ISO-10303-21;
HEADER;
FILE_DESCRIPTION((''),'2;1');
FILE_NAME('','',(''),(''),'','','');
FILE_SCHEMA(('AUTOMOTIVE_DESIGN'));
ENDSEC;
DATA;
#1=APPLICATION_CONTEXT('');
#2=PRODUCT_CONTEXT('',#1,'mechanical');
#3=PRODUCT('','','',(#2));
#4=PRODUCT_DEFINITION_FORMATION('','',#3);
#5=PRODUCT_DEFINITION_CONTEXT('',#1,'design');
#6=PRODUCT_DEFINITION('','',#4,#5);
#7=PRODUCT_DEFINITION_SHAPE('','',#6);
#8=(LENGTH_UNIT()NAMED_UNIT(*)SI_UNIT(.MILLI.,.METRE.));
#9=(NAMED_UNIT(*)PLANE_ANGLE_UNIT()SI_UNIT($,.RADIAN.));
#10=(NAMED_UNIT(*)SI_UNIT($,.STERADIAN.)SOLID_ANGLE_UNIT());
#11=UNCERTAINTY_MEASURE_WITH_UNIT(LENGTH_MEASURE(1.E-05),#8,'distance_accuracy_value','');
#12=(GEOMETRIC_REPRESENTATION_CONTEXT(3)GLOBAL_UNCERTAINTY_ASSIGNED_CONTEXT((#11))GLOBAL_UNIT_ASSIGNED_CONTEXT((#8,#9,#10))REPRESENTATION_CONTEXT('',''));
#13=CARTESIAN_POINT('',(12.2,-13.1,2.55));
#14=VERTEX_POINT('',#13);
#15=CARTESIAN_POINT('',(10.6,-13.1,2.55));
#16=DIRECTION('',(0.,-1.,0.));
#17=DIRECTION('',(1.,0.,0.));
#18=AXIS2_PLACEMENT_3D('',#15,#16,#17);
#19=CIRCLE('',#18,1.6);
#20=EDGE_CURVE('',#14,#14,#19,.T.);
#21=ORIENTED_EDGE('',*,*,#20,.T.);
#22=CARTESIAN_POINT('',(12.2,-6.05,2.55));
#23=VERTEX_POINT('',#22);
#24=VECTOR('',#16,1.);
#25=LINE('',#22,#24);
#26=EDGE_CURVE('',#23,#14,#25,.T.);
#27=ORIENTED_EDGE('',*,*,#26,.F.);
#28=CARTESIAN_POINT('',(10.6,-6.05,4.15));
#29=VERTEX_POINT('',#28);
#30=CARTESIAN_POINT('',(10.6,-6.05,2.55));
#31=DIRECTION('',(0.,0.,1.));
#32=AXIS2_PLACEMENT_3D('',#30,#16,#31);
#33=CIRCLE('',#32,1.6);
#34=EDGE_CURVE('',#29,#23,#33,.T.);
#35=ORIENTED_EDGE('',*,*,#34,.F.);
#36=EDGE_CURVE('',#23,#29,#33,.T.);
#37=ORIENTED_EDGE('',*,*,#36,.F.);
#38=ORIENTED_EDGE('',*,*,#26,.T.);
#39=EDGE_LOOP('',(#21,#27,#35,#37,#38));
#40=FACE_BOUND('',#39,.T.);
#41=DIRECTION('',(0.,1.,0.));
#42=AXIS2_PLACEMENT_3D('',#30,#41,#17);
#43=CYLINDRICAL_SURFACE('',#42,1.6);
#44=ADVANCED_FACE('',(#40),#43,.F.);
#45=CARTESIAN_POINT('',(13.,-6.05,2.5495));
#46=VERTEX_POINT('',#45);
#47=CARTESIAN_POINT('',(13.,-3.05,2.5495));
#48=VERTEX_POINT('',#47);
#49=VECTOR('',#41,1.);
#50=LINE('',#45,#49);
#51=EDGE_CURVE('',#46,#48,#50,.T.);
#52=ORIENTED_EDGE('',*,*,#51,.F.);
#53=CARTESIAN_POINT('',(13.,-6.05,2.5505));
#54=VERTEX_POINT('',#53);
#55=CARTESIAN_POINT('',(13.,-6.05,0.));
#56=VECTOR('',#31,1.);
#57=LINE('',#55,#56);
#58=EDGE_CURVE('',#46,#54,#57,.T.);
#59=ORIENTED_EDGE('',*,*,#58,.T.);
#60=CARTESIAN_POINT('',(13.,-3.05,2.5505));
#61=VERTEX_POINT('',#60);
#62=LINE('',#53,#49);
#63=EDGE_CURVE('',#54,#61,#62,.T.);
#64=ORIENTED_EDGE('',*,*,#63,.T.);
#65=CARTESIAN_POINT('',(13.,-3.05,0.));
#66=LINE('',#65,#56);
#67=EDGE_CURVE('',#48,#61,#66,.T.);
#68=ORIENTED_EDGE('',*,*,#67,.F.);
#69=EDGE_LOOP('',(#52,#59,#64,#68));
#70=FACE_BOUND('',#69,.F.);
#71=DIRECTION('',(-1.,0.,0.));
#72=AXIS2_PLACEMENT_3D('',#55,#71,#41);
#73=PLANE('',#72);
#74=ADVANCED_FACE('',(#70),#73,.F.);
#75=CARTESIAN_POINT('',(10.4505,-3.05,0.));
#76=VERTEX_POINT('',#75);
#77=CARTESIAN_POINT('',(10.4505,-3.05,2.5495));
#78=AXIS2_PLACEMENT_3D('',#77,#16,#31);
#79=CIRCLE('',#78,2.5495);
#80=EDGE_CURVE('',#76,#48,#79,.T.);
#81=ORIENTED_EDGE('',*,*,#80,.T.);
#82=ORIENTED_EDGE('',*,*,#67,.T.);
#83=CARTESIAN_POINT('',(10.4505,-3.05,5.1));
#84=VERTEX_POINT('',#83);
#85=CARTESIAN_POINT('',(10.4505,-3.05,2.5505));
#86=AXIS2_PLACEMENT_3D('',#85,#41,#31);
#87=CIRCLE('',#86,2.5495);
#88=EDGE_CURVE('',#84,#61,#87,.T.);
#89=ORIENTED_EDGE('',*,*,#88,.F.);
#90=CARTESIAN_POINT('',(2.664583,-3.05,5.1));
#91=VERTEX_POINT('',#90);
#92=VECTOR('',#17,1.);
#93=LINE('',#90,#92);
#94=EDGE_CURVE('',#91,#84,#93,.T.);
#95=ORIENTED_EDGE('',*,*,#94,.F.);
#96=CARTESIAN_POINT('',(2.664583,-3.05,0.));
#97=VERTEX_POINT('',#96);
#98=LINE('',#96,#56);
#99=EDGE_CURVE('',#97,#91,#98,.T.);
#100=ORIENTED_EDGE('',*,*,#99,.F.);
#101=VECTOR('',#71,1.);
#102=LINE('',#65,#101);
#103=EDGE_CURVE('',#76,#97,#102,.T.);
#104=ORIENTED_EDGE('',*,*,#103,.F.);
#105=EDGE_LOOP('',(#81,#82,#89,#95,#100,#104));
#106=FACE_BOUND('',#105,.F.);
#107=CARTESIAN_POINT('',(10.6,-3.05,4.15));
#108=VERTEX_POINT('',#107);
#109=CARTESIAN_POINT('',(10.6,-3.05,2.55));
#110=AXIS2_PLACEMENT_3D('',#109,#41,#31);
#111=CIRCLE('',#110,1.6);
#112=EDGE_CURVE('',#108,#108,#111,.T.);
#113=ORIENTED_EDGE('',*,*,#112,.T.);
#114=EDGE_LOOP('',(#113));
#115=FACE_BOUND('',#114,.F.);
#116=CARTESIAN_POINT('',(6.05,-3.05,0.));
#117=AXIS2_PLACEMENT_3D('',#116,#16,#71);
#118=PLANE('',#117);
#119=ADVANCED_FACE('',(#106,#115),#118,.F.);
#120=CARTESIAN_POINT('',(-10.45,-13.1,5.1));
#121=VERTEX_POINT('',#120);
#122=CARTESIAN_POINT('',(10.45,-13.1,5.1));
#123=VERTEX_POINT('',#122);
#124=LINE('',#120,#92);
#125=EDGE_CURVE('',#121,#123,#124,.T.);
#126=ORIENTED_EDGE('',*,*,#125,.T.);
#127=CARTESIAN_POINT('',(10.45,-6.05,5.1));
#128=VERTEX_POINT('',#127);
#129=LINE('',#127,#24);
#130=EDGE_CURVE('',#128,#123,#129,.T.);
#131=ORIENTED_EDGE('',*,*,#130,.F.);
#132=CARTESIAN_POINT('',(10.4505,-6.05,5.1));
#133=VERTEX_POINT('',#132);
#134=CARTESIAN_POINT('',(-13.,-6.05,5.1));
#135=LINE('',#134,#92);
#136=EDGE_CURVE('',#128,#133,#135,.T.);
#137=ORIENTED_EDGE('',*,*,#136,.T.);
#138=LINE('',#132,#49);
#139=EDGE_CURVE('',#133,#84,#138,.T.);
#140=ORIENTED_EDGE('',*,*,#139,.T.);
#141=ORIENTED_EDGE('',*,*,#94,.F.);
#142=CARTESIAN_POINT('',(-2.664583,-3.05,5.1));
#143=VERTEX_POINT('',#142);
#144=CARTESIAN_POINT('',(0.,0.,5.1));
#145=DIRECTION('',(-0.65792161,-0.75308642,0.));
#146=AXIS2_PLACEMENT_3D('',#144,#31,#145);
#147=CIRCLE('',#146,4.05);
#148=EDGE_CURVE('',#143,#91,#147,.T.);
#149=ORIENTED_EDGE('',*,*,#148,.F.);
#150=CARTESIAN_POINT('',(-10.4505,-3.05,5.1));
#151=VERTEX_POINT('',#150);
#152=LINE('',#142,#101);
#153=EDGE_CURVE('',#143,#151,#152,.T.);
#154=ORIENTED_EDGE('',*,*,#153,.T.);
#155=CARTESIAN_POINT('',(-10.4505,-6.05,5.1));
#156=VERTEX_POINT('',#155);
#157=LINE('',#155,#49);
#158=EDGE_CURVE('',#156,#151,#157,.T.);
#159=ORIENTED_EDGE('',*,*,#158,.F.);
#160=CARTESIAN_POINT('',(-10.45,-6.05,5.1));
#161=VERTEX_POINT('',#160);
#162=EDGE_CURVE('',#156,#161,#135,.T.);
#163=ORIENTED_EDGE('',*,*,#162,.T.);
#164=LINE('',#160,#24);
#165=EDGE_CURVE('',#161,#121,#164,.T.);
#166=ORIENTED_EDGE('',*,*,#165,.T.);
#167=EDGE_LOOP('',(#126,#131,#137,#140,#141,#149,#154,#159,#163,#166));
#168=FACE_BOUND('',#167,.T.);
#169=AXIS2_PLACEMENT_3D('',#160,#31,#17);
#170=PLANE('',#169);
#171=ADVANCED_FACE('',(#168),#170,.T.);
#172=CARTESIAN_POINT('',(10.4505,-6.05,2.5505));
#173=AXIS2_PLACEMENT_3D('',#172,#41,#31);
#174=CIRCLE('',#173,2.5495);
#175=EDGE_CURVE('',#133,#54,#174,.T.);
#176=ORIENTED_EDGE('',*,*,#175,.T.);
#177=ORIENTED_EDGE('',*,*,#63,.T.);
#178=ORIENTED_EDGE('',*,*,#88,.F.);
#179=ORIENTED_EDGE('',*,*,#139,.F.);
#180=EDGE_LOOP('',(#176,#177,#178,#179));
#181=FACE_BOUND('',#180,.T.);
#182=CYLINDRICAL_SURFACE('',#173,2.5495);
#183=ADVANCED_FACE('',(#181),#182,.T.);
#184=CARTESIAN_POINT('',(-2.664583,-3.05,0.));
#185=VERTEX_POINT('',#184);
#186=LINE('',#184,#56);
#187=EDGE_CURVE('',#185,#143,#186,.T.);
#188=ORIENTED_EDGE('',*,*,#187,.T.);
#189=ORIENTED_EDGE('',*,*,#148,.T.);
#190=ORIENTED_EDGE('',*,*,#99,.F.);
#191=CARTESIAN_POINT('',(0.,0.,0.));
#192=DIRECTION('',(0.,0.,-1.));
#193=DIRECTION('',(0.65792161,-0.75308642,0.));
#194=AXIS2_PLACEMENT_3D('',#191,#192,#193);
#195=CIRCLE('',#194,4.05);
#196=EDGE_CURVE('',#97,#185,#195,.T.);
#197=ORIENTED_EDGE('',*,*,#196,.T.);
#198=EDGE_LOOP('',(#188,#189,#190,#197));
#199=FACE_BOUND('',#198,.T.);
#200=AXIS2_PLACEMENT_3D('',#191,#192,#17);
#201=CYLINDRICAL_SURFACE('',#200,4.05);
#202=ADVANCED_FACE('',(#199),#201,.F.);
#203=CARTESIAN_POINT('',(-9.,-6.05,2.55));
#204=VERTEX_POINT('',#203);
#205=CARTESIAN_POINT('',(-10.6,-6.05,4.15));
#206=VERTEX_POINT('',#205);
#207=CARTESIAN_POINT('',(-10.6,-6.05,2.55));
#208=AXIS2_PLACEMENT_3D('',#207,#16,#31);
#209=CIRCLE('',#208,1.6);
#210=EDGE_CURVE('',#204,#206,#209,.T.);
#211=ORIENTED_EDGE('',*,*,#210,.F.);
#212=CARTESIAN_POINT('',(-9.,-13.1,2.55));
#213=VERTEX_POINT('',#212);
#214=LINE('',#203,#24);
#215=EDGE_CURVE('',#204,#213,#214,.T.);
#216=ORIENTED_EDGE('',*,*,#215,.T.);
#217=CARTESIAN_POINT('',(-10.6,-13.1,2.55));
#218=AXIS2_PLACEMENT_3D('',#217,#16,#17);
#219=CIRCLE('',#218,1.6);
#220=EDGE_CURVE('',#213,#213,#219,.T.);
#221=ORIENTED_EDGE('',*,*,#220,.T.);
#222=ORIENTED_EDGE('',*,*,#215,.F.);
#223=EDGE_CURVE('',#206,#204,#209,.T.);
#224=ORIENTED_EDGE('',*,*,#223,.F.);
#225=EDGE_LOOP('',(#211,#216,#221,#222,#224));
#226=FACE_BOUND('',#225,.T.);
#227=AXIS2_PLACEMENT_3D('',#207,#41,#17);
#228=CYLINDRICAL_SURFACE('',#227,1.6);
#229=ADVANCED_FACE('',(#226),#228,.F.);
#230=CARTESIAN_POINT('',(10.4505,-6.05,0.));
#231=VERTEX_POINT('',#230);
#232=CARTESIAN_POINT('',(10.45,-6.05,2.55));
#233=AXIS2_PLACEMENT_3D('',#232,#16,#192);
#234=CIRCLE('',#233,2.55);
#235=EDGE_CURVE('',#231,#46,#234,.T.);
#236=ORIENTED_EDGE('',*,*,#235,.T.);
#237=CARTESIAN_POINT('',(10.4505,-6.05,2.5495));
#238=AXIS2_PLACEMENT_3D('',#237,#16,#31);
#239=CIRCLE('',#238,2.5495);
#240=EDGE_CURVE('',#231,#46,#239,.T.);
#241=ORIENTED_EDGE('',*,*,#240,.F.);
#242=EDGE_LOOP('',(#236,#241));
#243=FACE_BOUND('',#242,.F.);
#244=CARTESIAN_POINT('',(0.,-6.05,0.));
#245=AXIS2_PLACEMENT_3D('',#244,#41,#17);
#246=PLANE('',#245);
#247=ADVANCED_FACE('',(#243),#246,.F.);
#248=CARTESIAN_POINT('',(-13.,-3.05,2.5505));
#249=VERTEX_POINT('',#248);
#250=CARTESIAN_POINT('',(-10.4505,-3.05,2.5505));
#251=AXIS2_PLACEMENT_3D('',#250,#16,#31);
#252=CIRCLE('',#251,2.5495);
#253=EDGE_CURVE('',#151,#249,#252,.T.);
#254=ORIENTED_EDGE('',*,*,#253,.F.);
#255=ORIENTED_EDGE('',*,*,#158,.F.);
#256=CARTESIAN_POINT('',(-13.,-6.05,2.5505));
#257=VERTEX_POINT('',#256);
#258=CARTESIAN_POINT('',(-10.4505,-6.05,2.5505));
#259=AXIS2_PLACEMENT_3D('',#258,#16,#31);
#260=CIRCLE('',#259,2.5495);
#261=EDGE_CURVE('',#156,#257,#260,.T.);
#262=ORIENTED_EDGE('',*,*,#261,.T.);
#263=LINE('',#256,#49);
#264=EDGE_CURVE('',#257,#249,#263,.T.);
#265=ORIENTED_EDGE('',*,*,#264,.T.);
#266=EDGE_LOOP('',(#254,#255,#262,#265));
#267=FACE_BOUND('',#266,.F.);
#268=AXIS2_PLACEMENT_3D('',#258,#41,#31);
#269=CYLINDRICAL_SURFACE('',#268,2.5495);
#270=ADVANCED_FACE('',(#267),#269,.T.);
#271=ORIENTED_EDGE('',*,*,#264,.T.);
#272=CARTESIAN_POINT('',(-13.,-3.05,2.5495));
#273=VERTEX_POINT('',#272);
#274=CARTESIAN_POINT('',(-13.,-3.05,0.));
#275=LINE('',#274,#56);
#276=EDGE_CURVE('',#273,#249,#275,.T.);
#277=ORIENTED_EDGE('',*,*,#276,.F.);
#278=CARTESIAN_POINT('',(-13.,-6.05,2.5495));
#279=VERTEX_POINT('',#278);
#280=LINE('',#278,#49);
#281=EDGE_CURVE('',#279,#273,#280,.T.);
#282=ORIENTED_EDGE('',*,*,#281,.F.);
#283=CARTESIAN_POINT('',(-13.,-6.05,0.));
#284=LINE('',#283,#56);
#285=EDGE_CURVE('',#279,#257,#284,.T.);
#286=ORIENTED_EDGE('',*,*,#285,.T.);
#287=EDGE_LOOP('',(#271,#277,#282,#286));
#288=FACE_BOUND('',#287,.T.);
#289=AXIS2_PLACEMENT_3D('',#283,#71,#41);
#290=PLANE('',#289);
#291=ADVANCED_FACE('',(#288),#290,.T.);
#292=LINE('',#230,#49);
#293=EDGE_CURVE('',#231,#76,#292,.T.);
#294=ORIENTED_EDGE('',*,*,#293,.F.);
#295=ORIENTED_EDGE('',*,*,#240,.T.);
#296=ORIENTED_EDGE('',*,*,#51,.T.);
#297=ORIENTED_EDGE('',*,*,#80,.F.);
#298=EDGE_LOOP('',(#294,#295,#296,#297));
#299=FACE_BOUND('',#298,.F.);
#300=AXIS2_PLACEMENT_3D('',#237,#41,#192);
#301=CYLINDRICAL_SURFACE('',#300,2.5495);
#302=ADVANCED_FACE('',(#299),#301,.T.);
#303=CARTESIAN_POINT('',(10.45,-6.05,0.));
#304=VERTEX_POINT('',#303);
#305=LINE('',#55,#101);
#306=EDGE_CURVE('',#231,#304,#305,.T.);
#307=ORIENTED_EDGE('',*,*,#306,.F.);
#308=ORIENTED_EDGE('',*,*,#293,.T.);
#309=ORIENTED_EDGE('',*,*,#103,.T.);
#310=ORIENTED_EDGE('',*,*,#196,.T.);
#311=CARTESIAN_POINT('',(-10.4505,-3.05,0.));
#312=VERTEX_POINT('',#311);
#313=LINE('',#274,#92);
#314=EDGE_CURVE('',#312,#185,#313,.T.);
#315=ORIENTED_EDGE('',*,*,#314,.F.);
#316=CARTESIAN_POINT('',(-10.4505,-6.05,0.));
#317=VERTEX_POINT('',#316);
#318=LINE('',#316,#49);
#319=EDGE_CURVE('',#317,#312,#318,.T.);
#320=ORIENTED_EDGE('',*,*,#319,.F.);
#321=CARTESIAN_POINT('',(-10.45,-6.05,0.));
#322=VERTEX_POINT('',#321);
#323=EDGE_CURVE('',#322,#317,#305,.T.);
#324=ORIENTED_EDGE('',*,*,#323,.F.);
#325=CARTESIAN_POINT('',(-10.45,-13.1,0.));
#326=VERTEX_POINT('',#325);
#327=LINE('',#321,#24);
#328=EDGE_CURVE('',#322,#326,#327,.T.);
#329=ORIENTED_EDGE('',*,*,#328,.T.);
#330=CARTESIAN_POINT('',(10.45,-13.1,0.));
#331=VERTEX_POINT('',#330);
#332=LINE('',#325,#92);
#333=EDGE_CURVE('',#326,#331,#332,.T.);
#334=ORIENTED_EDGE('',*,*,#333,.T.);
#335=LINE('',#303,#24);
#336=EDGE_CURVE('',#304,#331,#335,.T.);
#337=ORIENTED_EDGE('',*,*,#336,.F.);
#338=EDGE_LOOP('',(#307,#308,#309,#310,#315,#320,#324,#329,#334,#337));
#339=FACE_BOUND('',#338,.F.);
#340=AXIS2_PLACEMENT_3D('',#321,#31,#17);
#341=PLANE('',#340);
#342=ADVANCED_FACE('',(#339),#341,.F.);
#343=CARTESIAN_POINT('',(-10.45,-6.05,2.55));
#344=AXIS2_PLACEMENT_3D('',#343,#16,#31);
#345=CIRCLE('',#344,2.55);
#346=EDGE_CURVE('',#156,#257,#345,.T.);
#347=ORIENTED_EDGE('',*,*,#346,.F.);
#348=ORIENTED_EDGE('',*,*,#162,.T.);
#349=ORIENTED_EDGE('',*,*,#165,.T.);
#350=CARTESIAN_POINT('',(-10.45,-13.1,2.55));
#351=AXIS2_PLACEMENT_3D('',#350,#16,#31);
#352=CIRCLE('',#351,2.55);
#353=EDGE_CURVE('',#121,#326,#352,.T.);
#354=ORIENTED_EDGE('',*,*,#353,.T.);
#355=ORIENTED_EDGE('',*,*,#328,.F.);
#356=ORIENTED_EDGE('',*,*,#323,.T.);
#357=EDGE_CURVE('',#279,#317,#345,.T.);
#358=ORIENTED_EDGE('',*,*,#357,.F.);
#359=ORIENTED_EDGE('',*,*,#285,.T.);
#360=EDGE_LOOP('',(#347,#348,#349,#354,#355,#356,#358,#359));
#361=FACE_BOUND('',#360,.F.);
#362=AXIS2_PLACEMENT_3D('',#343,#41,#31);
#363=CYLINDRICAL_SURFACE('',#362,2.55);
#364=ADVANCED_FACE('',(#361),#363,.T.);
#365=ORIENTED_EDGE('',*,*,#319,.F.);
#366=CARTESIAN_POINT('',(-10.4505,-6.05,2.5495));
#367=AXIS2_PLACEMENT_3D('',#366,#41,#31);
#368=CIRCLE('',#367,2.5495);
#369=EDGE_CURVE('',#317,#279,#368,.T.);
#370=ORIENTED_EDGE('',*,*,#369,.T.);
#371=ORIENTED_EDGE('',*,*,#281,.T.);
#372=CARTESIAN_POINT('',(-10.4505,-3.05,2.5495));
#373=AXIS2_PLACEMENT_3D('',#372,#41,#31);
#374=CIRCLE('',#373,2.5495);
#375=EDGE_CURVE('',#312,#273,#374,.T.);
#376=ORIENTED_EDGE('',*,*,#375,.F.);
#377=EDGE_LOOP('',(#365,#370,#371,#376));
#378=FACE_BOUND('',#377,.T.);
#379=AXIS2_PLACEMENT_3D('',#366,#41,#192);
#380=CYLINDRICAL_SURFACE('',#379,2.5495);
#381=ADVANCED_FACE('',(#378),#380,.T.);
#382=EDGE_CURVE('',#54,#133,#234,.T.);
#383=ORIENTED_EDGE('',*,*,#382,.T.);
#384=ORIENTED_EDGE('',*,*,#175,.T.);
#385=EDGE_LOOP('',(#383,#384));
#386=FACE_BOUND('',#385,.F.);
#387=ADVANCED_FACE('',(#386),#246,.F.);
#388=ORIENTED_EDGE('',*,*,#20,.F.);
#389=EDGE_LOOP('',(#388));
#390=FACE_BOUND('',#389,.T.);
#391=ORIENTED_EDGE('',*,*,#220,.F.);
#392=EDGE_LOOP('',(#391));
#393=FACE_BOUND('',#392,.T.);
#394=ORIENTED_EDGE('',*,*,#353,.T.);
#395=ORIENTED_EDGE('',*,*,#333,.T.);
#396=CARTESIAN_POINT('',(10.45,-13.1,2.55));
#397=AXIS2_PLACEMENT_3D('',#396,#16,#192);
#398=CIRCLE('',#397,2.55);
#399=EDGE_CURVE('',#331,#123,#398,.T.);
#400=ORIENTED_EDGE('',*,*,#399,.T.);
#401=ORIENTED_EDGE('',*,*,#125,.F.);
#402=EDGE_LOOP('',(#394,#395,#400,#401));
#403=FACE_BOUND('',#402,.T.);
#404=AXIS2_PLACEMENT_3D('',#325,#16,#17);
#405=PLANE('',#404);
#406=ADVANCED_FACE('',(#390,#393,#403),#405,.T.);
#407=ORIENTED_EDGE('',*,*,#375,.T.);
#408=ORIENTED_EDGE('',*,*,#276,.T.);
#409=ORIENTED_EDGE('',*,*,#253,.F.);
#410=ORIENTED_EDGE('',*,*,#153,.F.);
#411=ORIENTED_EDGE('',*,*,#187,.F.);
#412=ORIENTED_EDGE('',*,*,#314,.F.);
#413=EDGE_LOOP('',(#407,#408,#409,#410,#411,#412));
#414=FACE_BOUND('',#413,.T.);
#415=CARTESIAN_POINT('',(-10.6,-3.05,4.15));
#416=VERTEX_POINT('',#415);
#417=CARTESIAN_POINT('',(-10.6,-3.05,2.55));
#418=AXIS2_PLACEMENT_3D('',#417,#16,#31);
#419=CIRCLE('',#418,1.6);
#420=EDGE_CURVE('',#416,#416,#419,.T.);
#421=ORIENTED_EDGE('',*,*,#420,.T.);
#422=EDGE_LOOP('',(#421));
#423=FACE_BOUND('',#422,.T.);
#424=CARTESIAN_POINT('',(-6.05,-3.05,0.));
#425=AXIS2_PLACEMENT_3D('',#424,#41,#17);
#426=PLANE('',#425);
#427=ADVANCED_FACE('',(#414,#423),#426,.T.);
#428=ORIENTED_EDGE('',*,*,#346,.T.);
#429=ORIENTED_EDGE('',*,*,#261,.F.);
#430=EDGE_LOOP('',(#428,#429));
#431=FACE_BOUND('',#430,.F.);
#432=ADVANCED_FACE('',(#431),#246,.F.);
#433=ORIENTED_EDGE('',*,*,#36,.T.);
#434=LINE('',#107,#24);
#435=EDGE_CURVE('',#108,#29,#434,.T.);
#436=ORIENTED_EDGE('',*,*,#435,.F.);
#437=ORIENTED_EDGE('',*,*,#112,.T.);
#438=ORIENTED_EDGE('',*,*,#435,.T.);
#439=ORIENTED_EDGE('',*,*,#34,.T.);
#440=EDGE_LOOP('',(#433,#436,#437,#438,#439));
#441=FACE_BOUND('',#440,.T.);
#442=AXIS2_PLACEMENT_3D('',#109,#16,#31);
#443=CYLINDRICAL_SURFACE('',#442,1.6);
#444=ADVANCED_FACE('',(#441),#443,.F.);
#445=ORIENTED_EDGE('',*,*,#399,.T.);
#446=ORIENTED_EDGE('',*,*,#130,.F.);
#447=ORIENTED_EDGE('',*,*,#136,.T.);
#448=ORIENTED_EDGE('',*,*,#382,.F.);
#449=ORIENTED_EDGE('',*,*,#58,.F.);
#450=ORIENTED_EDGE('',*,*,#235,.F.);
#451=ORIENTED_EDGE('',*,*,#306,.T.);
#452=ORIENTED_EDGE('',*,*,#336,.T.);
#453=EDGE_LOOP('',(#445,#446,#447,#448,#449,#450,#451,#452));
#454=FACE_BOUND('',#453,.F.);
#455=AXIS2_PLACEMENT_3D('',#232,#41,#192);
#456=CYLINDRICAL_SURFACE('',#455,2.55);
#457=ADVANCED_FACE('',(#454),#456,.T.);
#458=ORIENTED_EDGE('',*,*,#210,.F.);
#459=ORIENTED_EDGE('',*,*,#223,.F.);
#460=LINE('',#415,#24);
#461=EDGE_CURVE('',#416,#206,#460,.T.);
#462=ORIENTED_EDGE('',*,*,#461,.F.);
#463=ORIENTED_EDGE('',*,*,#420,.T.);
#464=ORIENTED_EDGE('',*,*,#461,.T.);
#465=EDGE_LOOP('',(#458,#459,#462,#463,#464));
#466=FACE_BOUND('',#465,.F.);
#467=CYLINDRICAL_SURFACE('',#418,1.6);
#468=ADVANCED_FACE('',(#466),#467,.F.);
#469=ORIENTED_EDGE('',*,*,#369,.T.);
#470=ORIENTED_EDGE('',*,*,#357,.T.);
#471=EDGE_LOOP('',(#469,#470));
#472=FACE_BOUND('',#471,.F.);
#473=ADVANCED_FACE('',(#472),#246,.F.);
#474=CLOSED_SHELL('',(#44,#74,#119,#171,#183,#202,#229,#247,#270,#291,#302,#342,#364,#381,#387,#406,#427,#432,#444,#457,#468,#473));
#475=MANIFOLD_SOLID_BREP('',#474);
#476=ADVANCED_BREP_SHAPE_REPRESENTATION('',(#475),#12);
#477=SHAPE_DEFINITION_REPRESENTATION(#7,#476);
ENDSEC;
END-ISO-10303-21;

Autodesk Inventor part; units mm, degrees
ref_plane "YZ Plane" through (0, 0, 0) normal (1, 0, 0) x (0, 1, 0)
ref_plane "XZ Plane" through (0, 0, 0) normal (0, 1, 0) x (-1, 0, 0)
sketch "Эскиз1" plane through (0, 0, 0) normal (0, 0, 1) x (1, 0, 0)
  circle A0 centre (0, 0) radius 4.05
  line L0 (-6.05, -6.05) -> (6.05, -6.05)
  line L1 (6.05, -6.05) -> (6.05, 6.05)
  line L2 (6.05, 6.05) -> (-6.05, 6.05)
  line L3 (-6.05, 6.05) -> (-6.05, -6.05)
  line L4 (-6.05, -6.05) -> (6.05, 6.05) construction
  line L5 (6.05, -6.05) -> (-6.05, 6.05) construction
  line L6 (0, 6.05) -> (0, 4.05)
  line L7 (-6.05, 0) -> (-4.05, 0)
  line L8 (-13, -3.05) -> (0, -3.05)
  line L9 (0, -3.05) -> (0, -6.05)
  line L10 (0, -6.05) -> (-13, -6.05)
  line L11 (-13, -6.05) -> (-13, -3.05)
  line L12 (13, -3.05) -> (0, -3.05)
  line L13 (0, -6.05) -> (13, -6.05)
  line L14 (13, -6.05) -> (13, -3.05)
  point P0 (0, -4.55)
  point P1 (0, -6.05)
  point P2 (2.6646, -3.05)
  point P3 (-2.6646, -3.05)
  dimension "d0" = 8.1
  dimension "d1" = 2
  dimension "d2" = 2
  dimension "d3" = 3
  dimension "d5" = 3
  dimension "d6" = 6.95
extrude "Выдавливание1" add sketch "Эскиз1" along normal blind 5.1 contours L12 L1 L0 L9 A0 | L9 L0 L3 L8 A0 | L12 L14 L13 L1 | L3 L10 L11 L8
sketch "Эскиз2" plane through (-13, -3.05, 0) normal (0, 1, 0) x (1, 0, 0)
  line L0 (0, 0) -> (0, -5.1) projected
  line L1 (0, -2.55) -> (2.4, -2.55)
  point P0 (13, 0)
  dimension "d9" = 2.4
ref_plane "РабПлоскость1" through (0, -6.05, 0) normal (1, 0, 0) x (0, 0, -1)
hole "Отверстие1" at (-10.6, -3.05, 2.55) direction (0, -1, 0) diameter 3.2 end through all
mirror "Зеркальное отражение1" about plane through (0, -6.05, 0) normal (1, 0, 0) of "Отверстие1"
fillet "Сопряжение1" radius 2.55 4 edges at (-13, -4.55, 5.1) (-13, -4.55, 0) (13, -4.55, 5.1) (13, -4.55, 0)
sketch "Эскиз3" plane through (-10.45, -6.05, 0) normal (0, -1, 0) x (1, 0, 0)
  arc A0 (20.9, 0) -> (20.9, 5.1) centre (20.9, 2.55) ccw projected
  line L0 (0, 5.1) -> (20.9, 5.1) projected
  arc A1 (0, 5.1) -> (0, 0) centre (0, 2.55) ccw projected
  line L1 (0, 0) -> (20.9, 0) projected
  circle A2 centre (-0.15, 2.55) radius 1.6 projected
  circle A3 centre (21.05, 2.55) radius 1.6 projected
  point P0 (10.45, 0)
extrude "Выдавливание2" add sketch "Эскиз3" along normal blind 7.05
properties part number "Стойка подшипника 3мм"
